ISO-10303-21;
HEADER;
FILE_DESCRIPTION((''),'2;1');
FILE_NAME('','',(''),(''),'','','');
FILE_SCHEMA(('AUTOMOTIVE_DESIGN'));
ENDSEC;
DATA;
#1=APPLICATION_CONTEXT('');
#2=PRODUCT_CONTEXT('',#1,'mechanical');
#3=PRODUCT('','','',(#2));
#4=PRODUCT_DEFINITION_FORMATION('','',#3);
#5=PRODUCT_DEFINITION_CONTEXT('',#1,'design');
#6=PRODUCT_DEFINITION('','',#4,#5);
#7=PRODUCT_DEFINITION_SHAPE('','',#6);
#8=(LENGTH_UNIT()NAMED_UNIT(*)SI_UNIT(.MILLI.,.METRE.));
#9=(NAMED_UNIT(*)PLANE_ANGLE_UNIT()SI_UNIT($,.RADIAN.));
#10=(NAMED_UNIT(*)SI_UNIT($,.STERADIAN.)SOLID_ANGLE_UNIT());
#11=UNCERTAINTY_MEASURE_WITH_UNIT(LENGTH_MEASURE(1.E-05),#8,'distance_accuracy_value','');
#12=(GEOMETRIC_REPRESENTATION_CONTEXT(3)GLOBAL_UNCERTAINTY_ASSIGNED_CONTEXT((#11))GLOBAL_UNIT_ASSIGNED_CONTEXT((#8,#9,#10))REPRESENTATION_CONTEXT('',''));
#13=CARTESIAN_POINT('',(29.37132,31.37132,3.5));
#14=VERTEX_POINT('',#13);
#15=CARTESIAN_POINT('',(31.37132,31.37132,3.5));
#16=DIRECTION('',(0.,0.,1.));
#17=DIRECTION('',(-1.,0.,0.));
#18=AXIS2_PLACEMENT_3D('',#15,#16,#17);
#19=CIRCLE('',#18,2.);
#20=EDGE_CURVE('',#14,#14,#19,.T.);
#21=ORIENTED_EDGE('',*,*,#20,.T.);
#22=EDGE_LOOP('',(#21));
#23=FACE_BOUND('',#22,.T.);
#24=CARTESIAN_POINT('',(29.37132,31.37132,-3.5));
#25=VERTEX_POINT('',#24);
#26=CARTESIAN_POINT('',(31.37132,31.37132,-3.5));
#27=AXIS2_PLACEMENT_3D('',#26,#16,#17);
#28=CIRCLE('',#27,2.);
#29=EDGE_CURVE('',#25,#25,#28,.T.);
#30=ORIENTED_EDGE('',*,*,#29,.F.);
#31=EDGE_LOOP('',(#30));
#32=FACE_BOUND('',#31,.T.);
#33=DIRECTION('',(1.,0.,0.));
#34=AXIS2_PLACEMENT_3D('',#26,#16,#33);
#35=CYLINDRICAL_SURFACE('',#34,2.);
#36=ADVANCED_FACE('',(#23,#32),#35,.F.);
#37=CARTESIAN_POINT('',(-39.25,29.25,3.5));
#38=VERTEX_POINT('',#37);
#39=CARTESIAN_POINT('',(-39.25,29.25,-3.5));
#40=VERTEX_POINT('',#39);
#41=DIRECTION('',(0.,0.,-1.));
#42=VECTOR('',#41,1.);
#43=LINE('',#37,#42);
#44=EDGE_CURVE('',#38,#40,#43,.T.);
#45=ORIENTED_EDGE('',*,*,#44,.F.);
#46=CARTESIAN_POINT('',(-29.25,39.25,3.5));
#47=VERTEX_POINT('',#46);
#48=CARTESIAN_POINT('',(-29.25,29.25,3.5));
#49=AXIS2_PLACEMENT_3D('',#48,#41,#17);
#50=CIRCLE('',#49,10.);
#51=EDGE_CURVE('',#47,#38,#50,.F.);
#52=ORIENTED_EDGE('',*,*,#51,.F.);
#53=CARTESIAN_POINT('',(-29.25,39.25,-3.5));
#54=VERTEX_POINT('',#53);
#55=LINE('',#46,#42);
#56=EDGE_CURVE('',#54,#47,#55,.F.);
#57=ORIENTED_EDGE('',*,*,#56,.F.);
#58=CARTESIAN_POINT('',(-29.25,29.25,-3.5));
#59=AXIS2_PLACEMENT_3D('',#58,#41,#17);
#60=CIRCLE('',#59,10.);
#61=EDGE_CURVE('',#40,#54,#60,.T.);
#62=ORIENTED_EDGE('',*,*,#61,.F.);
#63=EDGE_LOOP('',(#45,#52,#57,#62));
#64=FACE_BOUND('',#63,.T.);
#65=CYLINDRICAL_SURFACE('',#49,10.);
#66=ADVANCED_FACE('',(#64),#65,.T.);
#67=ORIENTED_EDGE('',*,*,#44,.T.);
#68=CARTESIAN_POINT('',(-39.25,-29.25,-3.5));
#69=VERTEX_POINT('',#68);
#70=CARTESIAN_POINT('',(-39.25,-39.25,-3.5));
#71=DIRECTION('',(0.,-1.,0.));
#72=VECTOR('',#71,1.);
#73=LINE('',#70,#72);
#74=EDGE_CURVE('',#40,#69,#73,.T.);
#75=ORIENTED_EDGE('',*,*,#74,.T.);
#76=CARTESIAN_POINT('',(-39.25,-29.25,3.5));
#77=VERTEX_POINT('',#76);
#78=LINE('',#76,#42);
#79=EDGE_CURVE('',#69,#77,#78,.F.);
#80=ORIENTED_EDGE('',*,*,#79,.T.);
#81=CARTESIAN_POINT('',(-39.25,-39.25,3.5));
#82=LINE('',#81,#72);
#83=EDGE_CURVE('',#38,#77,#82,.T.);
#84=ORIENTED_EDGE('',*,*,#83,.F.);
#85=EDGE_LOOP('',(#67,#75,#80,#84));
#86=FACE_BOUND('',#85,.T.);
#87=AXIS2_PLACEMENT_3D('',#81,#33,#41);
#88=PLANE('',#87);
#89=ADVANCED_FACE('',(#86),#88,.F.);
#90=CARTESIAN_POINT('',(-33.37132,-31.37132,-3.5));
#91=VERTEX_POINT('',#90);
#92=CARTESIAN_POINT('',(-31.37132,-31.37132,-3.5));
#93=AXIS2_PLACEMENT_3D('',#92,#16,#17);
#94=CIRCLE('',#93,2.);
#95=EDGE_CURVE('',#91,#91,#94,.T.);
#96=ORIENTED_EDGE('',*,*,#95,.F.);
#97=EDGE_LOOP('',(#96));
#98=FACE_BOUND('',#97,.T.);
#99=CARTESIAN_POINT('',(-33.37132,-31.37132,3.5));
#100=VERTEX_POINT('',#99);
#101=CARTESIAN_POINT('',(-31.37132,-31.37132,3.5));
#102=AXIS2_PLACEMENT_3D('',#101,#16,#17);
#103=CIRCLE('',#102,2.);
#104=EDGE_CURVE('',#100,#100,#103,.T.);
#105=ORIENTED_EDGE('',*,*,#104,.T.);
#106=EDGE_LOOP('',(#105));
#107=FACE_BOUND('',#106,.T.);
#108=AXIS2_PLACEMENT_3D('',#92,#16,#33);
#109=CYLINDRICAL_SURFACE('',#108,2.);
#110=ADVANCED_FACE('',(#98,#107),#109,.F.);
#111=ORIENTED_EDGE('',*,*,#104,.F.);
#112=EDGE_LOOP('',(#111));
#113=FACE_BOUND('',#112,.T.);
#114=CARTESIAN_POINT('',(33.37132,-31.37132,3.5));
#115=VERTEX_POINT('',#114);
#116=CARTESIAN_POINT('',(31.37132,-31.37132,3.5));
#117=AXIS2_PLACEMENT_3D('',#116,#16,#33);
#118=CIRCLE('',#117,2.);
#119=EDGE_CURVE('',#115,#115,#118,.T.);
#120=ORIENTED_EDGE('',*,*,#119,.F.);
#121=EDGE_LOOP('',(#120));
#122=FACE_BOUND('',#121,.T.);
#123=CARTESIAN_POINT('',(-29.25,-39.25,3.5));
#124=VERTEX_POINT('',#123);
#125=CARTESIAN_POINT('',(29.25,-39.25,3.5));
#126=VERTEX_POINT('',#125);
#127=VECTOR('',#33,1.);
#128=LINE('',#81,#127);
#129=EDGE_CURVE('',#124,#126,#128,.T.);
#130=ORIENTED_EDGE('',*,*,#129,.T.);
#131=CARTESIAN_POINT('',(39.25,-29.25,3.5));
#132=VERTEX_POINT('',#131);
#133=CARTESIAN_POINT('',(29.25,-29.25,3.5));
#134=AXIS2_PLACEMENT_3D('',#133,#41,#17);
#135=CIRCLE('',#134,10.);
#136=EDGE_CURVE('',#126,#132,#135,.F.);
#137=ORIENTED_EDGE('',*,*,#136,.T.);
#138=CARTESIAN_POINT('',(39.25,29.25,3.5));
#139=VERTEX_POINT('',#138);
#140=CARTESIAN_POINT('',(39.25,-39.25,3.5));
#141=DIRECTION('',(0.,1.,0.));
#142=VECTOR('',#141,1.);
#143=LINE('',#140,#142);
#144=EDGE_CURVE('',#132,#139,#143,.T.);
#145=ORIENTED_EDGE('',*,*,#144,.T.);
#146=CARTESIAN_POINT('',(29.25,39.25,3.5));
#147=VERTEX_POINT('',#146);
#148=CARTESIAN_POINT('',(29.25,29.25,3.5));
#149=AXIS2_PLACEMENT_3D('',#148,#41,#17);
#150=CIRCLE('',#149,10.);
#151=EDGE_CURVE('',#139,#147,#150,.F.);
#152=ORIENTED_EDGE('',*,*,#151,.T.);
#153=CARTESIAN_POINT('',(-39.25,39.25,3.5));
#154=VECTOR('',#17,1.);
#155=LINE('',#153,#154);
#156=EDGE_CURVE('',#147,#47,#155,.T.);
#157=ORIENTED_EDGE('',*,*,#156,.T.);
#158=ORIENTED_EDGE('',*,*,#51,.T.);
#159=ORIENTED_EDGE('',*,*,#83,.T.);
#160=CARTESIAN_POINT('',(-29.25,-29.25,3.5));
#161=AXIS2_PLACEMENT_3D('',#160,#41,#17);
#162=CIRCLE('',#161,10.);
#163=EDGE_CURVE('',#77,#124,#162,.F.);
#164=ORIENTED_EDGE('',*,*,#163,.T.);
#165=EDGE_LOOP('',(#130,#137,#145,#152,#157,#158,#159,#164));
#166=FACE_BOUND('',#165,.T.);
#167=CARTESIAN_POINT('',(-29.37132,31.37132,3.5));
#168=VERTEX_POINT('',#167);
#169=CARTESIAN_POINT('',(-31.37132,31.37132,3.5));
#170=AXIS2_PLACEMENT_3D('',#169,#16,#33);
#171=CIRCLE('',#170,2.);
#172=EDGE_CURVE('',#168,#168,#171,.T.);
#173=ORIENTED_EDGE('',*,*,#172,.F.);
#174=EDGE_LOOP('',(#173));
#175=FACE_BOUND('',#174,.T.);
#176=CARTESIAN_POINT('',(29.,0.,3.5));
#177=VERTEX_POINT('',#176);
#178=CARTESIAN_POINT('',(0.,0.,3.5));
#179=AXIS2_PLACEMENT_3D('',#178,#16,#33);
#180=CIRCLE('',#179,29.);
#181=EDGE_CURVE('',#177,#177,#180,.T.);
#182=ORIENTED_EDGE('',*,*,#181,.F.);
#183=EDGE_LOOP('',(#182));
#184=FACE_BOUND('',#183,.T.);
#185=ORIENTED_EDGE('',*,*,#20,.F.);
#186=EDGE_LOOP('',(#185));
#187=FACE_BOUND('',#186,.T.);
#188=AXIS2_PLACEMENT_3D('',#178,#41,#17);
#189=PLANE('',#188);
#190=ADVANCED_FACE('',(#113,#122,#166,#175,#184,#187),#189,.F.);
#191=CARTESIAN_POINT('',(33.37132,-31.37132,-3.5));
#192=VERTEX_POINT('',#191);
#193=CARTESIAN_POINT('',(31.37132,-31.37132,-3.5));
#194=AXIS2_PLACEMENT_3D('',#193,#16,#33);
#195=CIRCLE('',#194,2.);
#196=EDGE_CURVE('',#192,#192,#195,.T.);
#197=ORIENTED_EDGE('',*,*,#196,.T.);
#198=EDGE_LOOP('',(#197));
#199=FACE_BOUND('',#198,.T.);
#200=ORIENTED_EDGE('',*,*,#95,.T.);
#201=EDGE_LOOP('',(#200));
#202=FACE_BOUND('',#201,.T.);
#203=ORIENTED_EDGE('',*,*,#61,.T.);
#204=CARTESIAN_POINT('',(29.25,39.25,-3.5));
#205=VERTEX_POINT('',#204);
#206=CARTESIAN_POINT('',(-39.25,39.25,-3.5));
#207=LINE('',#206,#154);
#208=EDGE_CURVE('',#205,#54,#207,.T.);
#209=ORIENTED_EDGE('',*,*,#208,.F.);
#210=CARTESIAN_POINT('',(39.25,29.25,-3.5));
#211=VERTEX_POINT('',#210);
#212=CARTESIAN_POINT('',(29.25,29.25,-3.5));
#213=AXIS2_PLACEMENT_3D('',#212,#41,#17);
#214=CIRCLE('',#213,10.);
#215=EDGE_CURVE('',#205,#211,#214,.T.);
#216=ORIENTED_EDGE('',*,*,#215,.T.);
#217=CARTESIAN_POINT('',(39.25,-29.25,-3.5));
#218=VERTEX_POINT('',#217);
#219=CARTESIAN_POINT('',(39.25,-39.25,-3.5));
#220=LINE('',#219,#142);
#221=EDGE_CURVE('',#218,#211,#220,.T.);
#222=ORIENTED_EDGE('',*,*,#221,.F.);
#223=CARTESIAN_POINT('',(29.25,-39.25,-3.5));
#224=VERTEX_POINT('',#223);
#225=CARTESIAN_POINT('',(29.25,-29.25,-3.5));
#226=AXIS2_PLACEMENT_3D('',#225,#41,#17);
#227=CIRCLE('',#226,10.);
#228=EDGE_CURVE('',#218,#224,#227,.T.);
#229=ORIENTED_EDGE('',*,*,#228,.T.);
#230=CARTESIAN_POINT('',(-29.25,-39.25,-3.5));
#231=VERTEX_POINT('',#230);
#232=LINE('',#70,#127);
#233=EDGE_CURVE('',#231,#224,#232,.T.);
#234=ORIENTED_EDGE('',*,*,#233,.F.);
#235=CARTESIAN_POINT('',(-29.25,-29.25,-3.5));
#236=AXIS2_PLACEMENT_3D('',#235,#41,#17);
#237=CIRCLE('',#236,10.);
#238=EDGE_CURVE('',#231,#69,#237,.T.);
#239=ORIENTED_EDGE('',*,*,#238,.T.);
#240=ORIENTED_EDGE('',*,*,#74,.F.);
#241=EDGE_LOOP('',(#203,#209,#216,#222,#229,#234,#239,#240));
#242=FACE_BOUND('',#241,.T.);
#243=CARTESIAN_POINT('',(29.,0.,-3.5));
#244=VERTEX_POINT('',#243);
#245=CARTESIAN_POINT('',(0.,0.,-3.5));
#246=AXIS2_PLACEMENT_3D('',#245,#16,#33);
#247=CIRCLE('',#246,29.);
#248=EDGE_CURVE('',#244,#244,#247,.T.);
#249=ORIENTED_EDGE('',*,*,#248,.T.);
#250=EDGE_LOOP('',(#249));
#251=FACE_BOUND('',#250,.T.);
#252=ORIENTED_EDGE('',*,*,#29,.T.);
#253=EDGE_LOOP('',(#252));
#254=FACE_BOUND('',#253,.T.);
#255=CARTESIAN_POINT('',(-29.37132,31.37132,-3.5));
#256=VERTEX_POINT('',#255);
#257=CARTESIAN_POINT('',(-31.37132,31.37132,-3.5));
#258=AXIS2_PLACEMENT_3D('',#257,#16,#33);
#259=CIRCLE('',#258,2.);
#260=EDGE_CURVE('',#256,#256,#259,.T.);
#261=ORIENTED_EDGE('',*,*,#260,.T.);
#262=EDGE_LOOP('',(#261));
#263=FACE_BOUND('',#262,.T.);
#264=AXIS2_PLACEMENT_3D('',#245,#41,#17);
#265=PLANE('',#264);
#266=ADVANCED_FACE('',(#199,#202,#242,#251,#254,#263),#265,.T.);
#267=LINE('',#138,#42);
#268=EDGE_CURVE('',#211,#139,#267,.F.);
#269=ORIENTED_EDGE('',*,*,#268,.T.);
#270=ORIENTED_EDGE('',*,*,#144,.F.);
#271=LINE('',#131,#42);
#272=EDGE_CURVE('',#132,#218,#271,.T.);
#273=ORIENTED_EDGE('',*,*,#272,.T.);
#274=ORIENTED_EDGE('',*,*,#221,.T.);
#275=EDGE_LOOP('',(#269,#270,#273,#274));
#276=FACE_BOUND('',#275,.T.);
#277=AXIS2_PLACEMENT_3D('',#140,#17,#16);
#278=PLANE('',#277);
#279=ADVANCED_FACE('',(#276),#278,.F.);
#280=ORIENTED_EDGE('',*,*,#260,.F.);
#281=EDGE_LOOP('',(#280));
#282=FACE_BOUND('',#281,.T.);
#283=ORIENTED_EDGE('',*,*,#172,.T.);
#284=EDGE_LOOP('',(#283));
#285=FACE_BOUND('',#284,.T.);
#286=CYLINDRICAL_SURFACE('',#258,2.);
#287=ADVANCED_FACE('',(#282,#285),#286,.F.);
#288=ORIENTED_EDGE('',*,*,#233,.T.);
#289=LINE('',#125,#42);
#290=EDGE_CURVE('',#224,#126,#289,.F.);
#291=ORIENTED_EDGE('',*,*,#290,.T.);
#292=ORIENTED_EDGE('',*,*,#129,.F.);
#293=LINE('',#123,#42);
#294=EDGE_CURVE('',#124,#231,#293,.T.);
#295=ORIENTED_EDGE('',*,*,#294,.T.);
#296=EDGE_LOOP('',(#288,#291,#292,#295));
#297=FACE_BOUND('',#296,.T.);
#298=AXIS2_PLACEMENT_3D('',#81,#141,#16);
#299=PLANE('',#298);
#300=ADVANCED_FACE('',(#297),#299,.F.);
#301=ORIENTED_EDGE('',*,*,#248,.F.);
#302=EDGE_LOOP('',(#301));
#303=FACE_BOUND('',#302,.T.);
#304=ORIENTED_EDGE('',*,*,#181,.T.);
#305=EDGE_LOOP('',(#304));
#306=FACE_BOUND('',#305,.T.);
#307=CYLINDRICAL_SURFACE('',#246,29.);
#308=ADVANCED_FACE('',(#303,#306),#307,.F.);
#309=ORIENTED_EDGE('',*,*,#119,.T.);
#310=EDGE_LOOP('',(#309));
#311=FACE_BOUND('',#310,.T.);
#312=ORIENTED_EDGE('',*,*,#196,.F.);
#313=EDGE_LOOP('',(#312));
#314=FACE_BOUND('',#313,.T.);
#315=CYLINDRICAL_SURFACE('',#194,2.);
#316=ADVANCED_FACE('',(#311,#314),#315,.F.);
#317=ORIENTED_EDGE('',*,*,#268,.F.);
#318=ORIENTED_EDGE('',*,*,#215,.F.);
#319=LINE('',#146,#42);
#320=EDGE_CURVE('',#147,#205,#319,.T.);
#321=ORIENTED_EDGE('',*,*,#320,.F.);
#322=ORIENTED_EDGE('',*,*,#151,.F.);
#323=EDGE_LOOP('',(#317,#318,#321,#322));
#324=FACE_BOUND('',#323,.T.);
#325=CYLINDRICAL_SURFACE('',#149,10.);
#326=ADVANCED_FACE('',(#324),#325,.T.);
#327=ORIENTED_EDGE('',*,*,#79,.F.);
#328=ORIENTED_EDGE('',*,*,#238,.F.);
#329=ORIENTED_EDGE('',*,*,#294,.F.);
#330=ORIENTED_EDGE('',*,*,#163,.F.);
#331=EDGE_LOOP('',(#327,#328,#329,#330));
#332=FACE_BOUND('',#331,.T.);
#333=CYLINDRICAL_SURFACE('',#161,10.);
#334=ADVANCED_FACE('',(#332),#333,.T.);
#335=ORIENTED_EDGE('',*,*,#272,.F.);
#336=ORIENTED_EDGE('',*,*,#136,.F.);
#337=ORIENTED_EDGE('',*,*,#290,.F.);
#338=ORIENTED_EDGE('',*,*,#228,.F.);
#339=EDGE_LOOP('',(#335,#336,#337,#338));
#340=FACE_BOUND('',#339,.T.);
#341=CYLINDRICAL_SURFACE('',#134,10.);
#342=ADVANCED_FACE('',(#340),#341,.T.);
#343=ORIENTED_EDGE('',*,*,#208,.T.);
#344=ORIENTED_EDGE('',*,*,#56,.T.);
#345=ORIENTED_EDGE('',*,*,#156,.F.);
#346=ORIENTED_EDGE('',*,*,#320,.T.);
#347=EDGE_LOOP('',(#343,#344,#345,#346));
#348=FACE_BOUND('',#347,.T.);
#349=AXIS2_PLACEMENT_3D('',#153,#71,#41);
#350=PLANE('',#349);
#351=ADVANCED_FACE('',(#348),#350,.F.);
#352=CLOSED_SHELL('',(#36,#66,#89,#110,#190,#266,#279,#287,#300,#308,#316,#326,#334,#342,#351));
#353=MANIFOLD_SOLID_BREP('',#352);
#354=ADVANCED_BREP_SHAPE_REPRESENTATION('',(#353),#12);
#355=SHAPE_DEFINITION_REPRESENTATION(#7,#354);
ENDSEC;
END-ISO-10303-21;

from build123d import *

# Parameters (mm, degrees)
SKETCH1_W           = 78.5
SKETCH1_H           = 78.5
BOSS_EXTRUDE1_DEPTH = 3.5
FILLET1_R           = 10
SKETCH2_R           = 2
CUT_EXTRUDE1_DEPTH  = 56.947520052
SKETCH3_R           = 29
CUT_EXTRUDE2_DEPTH  = 56.947520052


with BuildPart() as part:
    # Sketch1 → Boss-Extrude1 (new, symmetric)
    with BuildSketch(Plane.XY):
        Rectangle(SKETCH1_W, SKETCH1_H)
    extrude(amount=BOSS_EXTRUDE1_DEPTH, both=True)

    # Fillet1
    fillet1_edges = [part.edges().sort_by_distance(p)[0] for p in [
        (39.25, -39.25, 0),
        (-39.25, -39.25, 0),
        (-39.25, 39.25, 0),
        (39.25, 39.25, 0),
    ]]
    fillet(fillet1_edges, radius=FILLET1_R)

    # Sketch2 → Cut-Extrude1 (cut, through all)
    with BuildSketch(Plane.XY.offset(3.5)):
        with Locations((-31.371320344, 31.371320344)):
            Circle(SKETCH2_R)
        with Locations(Location((-31.371320344, -31.371320344, 0), (0, 0, 180))):
            Circle(SKETCH2_R)
        with Locations(Location((31.371320344, 31.371320344, 0), (0, 0, 180))):
            Circle(SKETCH2_R)
        with Locations((31.371320344, -31.371320344)):
            Circle(SKETCH2_R)
    extrude(amount=-CUT_EXTRUDE1_DEPTH, mode=Mode.SUBTRACT)

    # Sketch3 → Cut-Extrude2 (cut, through all)
    with BuildSketch(Plane.XY.offset(3.5)):
        Circle(SKETCH3_R)
    extrude(amount=-CUT_EXTRUDE2_DEPTH, mode=Mode.SUBTRACT)


solid = part.part
